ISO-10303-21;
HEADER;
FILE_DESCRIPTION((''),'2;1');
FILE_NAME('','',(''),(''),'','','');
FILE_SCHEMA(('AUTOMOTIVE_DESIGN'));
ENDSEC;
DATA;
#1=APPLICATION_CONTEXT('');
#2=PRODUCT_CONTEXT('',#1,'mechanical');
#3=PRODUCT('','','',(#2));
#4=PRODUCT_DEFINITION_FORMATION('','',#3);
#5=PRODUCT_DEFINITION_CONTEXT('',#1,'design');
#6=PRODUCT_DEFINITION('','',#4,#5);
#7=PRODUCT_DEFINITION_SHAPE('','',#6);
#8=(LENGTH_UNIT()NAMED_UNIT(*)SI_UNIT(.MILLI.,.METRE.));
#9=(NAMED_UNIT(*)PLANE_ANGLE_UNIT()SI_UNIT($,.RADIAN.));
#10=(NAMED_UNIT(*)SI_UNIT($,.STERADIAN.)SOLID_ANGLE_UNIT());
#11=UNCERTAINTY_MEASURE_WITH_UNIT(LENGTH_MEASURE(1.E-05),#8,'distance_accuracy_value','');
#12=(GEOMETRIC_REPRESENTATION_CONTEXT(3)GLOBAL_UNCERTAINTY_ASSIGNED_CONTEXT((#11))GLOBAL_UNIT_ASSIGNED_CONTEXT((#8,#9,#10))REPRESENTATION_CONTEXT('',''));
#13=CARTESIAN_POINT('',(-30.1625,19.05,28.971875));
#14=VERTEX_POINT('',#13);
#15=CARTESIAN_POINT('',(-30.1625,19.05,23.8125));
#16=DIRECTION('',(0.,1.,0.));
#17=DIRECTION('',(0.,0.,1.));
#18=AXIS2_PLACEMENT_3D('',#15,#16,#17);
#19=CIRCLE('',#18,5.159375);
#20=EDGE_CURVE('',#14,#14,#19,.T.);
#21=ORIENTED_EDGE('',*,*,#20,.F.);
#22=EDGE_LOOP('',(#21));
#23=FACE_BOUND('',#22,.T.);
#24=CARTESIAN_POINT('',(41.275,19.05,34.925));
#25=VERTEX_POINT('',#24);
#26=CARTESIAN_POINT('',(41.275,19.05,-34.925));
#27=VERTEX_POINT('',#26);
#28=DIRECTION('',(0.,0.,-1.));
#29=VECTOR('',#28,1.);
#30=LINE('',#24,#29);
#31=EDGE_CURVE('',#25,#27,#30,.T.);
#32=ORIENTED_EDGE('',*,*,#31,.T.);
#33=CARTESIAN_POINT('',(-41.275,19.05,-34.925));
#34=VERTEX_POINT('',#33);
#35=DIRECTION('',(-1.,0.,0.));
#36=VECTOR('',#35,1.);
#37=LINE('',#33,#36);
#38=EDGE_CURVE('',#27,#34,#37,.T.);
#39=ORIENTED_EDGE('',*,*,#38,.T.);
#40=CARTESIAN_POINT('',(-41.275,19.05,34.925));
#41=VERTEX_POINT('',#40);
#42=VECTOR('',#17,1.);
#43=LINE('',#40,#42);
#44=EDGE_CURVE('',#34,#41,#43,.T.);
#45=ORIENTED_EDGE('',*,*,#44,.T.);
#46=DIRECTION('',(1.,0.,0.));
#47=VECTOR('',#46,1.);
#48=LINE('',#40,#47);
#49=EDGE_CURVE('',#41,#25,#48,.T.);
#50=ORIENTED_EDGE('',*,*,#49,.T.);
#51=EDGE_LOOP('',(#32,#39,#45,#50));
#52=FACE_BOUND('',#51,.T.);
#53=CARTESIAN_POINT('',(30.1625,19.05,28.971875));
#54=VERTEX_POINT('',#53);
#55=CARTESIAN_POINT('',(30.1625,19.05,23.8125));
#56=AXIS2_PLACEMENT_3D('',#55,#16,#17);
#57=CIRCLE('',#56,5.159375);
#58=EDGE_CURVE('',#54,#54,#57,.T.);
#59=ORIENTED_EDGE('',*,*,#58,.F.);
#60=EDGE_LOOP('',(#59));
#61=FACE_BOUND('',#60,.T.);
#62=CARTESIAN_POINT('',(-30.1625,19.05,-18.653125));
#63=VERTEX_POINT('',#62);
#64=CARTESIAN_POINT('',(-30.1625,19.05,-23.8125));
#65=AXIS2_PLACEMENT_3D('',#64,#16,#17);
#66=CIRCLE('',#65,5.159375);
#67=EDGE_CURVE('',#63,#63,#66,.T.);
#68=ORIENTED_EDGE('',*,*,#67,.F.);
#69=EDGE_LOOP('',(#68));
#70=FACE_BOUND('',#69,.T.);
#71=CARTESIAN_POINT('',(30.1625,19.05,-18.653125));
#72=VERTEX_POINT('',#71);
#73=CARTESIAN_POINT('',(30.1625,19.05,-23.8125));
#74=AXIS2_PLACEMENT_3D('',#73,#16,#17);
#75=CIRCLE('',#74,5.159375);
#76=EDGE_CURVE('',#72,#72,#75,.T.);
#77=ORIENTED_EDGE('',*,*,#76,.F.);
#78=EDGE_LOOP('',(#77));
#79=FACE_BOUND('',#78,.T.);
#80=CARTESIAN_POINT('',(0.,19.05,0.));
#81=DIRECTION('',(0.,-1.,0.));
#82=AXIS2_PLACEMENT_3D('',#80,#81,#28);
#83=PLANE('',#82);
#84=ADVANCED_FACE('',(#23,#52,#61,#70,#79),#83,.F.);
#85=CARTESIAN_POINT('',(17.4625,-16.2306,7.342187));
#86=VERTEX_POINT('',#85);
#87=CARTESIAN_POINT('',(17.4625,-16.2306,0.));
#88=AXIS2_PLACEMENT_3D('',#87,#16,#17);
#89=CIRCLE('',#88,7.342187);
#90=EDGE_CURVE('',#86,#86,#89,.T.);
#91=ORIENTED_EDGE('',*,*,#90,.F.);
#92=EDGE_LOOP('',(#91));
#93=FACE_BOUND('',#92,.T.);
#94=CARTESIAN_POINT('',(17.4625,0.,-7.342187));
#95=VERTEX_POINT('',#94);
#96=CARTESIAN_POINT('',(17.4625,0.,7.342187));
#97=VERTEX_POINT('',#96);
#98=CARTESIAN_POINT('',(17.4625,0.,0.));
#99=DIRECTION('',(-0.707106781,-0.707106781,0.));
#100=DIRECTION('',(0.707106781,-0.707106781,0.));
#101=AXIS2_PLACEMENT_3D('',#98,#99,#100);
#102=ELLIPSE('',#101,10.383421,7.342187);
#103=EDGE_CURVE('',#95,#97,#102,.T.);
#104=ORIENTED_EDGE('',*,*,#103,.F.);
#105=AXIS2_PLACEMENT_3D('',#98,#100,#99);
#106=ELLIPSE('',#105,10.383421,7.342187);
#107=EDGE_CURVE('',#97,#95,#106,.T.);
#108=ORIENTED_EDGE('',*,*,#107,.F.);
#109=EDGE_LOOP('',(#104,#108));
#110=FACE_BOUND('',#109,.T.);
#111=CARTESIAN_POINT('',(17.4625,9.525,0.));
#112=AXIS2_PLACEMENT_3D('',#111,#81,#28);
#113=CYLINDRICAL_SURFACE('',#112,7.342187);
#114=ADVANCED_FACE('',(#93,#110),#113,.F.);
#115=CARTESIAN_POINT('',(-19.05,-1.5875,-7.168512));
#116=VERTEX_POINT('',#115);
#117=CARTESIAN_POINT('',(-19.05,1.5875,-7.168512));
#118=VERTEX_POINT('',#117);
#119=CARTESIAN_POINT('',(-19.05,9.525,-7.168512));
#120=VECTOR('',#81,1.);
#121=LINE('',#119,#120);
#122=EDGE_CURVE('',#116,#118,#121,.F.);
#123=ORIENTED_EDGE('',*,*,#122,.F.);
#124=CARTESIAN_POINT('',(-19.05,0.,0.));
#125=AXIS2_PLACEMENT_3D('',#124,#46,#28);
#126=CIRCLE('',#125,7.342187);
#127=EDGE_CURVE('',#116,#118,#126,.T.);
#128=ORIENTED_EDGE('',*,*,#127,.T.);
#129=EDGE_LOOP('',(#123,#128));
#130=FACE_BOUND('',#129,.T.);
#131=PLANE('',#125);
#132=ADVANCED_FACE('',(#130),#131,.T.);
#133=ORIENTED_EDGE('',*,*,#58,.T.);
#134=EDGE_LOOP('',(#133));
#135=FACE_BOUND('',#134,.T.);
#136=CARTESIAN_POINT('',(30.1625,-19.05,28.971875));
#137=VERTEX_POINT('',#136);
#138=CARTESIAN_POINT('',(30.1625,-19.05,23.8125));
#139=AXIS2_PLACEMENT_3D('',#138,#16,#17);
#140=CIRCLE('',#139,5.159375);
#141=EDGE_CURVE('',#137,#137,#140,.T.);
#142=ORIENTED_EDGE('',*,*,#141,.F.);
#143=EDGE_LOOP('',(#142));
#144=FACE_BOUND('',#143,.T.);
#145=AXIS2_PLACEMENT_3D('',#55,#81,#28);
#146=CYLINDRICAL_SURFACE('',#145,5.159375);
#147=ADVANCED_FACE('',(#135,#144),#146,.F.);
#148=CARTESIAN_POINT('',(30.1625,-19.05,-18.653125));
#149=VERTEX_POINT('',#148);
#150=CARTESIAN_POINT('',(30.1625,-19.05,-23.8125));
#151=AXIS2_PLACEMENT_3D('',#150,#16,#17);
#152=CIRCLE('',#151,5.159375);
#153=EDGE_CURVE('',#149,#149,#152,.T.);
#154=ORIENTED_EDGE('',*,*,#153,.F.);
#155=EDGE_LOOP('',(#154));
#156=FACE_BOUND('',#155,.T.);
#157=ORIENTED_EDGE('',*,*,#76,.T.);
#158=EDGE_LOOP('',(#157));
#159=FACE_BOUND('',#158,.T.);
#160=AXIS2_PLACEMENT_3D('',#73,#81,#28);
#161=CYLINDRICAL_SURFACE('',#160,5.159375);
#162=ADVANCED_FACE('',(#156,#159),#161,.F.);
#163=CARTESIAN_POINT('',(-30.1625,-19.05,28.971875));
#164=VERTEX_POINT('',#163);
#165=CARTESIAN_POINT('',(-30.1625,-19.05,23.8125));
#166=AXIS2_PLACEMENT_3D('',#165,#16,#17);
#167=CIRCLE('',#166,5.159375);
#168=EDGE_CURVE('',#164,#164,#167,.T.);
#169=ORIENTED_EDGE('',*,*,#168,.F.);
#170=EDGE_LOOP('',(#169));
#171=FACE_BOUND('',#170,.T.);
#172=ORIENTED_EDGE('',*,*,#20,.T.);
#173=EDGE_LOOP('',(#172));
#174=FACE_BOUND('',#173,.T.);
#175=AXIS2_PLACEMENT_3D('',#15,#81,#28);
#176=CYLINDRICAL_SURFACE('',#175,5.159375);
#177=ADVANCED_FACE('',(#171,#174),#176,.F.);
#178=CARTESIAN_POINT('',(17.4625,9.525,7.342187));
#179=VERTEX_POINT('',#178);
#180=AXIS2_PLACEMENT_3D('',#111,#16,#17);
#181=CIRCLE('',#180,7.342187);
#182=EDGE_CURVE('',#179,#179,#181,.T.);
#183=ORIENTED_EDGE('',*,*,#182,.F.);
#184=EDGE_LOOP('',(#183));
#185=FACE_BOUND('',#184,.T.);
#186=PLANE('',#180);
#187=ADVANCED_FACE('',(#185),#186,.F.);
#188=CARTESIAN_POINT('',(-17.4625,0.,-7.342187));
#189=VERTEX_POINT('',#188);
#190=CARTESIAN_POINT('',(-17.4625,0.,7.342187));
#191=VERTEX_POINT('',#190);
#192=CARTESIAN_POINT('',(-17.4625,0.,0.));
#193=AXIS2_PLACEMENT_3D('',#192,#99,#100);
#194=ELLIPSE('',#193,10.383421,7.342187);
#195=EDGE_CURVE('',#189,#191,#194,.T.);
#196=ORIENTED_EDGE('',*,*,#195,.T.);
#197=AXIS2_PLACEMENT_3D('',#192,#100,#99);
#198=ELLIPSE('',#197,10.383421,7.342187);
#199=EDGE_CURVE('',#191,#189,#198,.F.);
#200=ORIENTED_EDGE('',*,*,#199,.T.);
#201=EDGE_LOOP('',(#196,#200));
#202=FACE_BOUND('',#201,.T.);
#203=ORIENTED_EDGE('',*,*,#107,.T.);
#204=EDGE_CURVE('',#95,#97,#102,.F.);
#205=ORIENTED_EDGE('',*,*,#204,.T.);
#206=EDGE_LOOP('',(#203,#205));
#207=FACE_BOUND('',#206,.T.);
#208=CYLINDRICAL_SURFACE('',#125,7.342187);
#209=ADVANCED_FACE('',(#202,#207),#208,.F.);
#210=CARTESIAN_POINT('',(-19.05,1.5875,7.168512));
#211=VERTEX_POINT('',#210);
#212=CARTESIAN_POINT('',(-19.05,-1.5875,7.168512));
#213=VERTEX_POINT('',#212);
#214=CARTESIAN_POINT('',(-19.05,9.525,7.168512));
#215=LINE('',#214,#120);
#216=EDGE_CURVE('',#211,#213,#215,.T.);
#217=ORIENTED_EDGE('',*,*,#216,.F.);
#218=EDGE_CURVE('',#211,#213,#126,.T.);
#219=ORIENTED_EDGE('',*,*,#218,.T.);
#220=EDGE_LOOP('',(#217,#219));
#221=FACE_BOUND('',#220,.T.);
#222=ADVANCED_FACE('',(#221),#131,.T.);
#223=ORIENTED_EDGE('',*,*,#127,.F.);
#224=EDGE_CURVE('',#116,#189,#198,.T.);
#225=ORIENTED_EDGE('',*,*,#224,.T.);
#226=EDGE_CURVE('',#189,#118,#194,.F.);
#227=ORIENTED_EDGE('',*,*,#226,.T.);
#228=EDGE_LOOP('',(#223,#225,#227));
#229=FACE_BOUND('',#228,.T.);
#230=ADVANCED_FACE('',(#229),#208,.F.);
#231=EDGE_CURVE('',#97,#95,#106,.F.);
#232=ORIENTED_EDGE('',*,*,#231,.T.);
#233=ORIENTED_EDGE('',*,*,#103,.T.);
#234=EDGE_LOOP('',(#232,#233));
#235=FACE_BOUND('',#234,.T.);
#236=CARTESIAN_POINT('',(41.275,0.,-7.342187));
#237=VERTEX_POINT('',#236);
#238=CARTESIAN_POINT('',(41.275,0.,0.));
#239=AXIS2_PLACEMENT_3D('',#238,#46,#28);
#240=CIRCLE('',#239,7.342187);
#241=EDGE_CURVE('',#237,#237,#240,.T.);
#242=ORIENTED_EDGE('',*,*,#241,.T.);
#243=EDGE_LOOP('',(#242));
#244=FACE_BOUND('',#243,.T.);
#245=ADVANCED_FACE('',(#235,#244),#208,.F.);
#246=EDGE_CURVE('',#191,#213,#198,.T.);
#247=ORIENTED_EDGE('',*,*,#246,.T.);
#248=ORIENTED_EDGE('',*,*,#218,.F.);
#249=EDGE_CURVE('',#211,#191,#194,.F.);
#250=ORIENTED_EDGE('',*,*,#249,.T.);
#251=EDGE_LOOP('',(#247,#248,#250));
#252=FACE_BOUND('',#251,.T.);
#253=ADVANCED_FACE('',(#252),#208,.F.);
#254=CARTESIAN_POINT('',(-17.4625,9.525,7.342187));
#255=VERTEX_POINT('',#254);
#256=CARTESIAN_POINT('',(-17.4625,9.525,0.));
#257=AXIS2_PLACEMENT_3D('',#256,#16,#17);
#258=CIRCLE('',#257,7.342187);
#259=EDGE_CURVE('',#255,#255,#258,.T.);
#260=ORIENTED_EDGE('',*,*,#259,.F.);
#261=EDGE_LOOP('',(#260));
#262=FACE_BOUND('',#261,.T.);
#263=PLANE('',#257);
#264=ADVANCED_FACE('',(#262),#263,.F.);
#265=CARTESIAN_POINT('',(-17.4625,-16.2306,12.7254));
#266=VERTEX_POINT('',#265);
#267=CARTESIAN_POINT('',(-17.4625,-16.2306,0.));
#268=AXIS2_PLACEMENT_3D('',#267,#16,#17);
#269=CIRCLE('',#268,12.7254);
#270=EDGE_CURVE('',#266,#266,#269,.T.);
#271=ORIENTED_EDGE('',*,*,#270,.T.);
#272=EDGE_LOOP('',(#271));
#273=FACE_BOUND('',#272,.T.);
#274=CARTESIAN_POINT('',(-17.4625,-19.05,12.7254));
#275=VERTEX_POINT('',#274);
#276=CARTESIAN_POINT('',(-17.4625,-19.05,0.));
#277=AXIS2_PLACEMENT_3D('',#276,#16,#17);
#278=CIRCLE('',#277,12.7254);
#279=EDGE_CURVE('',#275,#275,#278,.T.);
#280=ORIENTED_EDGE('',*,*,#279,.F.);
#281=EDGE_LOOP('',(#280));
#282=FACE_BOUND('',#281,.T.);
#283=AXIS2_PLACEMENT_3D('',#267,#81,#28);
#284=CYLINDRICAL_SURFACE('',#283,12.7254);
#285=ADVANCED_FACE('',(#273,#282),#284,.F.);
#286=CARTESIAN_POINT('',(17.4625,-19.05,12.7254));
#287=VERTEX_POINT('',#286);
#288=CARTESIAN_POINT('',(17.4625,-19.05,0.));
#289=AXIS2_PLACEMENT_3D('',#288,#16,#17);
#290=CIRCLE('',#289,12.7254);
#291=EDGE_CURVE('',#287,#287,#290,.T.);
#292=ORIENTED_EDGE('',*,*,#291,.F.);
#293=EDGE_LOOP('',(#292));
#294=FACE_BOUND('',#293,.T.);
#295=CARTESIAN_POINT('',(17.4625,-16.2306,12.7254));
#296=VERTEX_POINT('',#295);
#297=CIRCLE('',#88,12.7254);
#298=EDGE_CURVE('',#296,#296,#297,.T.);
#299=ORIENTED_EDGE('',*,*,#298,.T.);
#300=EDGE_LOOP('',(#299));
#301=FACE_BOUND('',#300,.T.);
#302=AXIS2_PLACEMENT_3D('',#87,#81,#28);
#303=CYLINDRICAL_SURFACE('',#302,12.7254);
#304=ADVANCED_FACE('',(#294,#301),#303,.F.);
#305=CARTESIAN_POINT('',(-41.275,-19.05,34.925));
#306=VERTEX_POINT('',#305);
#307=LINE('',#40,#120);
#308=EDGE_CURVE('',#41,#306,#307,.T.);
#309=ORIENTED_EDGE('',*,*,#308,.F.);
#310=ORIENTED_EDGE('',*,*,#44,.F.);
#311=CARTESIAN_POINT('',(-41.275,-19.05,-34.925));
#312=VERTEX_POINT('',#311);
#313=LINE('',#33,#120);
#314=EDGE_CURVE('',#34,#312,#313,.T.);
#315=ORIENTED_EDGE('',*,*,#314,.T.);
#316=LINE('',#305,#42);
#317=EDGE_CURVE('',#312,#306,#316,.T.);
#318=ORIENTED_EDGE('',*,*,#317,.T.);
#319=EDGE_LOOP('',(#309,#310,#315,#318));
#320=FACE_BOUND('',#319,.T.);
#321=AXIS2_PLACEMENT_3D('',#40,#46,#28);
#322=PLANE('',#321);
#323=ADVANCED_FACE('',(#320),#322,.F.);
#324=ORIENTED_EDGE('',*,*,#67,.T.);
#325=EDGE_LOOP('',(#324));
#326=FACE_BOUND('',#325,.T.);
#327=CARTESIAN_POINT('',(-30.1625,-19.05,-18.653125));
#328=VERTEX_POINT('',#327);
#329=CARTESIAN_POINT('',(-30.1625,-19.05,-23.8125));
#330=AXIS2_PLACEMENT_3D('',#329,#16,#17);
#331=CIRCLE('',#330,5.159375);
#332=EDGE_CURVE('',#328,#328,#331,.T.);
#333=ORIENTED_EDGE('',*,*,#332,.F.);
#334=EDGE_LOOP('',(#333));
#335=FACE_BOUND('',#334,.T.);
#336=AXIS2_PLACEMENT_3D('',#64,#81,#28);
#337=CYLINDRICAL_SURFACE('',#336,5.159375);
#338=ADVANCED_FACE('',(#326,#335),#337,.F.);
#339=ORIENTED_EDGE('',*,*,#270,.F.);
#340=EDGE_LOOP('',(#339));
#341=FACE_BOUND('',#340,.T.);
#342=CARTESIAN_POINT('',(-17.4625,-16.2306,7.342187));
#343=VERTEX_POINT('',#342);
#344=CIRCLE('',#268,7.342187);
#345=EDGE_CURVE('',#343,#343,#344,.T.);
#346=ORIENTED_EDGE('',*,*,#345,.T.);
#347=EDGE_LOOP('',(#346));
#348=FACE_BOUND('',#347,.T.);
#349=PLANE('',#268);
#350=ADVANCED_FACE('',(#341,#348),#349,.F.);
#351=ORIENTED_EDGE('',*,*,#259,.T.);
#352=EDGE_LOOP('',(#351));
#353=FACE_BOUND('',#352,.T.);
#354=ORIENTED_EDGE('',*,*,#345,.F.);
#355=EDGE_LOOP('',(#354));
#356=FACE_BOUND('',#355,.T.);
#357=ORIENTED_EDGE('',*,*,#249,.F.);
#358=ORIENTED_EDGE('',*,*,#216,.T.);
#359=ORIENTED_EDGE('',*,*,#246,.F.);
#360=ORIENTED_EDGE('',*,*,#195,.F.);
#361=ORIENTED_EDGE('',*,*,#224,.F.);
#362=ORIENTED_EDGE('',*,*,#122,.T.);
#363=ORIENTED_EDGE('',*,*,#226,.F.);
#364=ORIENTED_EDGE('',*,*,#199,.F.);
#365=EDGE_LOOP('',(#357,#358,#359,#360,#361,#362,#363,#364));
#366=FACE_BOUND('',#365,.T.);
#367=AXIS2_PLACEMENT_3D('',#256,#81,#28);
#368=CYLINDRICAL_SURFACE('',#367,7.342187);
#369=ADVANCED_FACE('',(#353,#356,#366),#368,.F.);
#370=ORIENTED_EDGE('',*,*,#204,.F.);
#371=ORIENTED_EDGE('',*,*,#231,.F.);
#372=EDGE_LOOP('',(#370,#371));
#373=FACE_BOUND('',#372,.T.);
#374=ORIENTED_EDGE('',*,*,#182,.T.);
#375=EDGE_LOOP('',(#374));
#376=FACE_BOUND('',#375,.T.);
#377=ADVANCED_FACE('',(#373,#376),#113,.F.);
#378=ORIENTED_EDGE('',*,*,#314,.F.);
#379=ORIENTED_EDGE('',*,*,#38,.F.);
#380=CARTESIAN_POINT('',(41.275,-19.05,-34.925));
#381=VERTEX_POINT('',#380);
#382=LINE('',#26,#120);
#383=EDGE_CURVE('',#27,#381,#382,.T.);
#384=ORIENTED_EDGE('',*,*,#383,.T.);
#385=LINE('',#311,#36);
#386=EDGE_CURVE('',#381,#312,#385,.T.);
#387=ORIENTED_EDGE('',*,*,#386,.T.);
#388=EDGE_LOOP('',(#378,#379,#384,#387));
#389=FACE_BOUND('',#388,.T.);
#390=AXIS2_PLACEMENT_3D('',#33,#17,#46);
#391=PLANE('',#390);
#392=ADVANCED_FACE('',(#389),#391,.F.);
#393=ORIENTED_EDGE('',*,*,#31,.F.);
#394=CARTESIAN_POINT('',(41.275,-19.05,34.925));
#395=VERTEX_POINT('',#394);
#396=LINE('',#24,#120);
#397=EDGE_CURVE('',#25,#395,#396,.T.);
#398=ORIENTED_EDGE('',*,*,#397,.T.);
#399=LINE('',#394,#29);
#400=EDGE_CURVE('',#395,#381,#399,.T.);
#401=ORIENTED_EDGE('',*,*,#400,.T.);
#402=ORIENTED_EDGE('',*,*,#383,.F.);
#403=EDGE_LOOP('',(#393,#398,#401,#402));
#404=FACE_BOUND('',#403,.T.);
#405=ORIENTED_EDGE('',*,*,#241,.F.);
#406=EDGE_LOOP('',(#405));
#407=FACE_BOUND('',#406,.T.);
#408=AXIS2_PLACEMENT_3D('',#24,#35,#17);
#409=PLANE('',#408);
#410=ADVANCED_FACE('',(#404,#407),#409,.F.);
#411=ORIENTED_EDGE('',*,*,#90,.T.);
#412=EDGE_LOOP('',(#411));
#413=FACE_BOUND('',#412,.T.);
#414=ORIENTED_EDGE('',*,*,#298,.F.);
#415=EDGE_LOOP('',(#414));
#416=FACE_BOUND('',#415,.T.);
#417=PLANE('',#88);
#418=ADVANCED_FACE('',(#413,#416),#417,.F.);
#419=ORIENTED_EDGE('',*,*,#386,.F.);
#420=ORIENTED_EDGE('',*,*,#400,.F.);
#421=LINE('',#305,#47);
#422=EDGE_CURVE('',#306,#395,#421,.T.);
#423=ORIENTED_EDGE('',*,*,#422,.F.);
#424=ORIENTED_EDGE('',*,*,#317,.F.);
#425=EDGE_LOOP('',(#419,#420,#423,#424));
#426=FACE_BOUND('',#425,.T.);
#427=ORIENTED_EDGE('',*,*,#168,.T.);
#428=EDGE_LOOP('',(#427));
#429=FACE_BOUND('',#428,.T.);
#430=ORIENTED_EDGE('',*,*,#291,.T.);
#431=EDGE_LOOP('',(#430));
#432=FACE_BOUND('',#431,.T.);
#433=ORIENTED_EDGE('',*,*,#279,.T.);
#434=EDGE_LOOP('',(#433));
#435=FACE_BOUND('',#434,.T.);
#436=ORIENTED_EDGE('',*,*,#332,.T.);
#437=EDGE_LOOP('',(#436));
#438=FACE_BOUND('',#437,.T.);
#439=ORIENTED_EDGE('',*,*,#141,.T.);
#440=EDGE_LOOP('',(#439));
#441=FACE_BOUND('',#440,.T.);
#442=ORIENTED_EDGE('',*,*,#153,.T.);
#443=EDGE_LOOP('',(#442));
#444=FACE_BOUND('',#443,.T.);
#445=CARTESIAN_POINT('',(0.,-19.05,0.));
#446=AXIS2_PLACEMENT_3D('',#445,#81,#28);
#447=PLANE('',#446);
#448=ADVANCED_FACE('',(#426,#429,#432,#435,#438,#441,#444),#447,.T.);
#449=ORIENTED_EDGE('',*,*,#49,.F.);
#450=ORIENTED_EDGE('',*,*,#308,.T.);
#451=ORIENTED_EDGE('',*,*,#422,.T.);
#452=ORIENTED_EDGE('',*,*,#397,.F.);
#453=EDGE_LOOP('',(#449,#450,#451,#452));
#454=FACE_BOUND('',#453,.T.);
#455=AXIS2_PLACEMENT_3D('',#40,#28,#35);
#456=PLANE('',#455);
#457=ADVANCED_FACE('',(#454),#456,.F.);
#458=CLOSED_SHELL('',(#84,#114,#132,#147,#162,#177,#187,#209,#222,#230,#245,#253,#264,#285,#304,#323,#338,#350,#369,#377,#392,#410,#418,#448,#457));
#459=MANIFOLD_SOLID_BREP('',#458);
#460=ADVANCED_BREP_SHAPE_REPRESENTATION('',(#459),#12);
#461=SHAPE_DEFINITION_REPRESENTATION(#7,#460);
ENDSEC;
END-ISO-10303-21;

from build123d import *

# Parameters (mm, degrees)
SKETCH1_W           = 82.55
SKETCH1_H           = 69.85
BOSS_EXTRUDE1_DEPTH = 19.05
CUT_EXTRUDE2_START  = -19.05
SKETCH2_R           = 5.159375
CUT_EXTRUDE2_DEPTH  = 77.376117521
CUT_EXTRUDE4_START  = -19.05
SKETCH3_R           = 7.3421875
CUT_EXTRUDE4_DEPTH  = 28.575
CUT_EXTRUDE6_START  = -19.05
SKETCH4_R           = 12.7254
CUT_EXTRUDE6_DEPTH  = 2.8194
CUT_EXTRUDE8_START  = 41.275
SKETCH5_R           = 7.3421875
CUT_EXTRUDE8_DEPTH  = 60.325


with BuildPart() as part:
    # Sketch1 → Boss-Extrude1 (new, symmetric)
    with BuildSketch(Plane(origin=(0, 0, 0), x_dir=(1, 0, 0), z_dir=(0, 1, 0))):
        Rectangle(SKETCH1_W, SKETCH1_H)
    extrude(amount=BOSS_EXTRUDE1_DEPTH, both=True)

    # Sketch2 → Cut-Extrude2 (cut, through all)
    with BuildSketch(Plane(origin=(0, 0, 0), x_dir=(1, 0, 0), z_dir=(0, 1, 0)).offset(CUT_EXTRUDE2_START)):
        with Locations(Location((-30.1625, -23.8125, 0), (0, 0, 270))):
            Circle(SKETCH2_R)
        with Locations(Location((30.1625, -23.8125, 0), (0, 0, 270))):
            Circle(SKETCH2_R)
        with Locations(Location((-30.1625, 23.8125, 0), (0, 0, 270))):
            Circle(SKETCH2_R)
        with Locations(Location((30.1625, 23.8125, 0), (0, 0, 270))):
            Circle(SKETCH2_R)
    extrude(amount=CUT_EXTRUDE2_DEPTH, mode=Mode.SUBTRACT)

    # Sketch3 → Cut-Extrude4 (cut)
    with BuildSketch(Plane(origin=(0, 0, 0), x_dir=(1, 0, 0), z_dir=(0, 1, 0)).offset(CUT_EXTRUDE4_START)):
        with Locations(Location((-17.4625, 0, 0), (0, 0, 270))):
            Circle(SKETCH3_R)
        with Locations(Location((17.4625, 0, 0), (0, 0, 270))):
            Circle(SKETCH3_R)
    extrude(amount=CUT_EXTRUDE4_DEPTH, mode=Mode.SUBTRACT)

    # Sketch4 → Cut-Extrude6 (cut)
    with BuildSketch(Plane(origin=(0, 0, 0), x_dir=(1, 0, 0), z_dir=(0, 1, 0)).offset(CUT_EXTRUDE6_START)):
        with Locations(Location((-17.4625, 0, 0), (0, 0, 270))):
            Circle(SKETCH4_R)
        with Locations(Location((17.4625, 0, 0), (0, 0, 270))):
            Circle(SKETCH4_R)
    extrude(amount=CUT_EXTRUDE6_DEPTH, mode=Mode.SUBTRACT)

    # Sketch5 → Cut-Extrude8 (cut)
    with BuildSketch(Plane(origin=(0, 0, 0), x_dir=(0, 0, -1), z_dir=(1, 0, 0)).offset(CUT_EXTRUDE8_START)):
        Circle(SKETCH5_R)
    extrude(amount=-CUT_EXTRUDE8_DEPTH, mode=Mode.SUBTRACT)


solid = part.part
